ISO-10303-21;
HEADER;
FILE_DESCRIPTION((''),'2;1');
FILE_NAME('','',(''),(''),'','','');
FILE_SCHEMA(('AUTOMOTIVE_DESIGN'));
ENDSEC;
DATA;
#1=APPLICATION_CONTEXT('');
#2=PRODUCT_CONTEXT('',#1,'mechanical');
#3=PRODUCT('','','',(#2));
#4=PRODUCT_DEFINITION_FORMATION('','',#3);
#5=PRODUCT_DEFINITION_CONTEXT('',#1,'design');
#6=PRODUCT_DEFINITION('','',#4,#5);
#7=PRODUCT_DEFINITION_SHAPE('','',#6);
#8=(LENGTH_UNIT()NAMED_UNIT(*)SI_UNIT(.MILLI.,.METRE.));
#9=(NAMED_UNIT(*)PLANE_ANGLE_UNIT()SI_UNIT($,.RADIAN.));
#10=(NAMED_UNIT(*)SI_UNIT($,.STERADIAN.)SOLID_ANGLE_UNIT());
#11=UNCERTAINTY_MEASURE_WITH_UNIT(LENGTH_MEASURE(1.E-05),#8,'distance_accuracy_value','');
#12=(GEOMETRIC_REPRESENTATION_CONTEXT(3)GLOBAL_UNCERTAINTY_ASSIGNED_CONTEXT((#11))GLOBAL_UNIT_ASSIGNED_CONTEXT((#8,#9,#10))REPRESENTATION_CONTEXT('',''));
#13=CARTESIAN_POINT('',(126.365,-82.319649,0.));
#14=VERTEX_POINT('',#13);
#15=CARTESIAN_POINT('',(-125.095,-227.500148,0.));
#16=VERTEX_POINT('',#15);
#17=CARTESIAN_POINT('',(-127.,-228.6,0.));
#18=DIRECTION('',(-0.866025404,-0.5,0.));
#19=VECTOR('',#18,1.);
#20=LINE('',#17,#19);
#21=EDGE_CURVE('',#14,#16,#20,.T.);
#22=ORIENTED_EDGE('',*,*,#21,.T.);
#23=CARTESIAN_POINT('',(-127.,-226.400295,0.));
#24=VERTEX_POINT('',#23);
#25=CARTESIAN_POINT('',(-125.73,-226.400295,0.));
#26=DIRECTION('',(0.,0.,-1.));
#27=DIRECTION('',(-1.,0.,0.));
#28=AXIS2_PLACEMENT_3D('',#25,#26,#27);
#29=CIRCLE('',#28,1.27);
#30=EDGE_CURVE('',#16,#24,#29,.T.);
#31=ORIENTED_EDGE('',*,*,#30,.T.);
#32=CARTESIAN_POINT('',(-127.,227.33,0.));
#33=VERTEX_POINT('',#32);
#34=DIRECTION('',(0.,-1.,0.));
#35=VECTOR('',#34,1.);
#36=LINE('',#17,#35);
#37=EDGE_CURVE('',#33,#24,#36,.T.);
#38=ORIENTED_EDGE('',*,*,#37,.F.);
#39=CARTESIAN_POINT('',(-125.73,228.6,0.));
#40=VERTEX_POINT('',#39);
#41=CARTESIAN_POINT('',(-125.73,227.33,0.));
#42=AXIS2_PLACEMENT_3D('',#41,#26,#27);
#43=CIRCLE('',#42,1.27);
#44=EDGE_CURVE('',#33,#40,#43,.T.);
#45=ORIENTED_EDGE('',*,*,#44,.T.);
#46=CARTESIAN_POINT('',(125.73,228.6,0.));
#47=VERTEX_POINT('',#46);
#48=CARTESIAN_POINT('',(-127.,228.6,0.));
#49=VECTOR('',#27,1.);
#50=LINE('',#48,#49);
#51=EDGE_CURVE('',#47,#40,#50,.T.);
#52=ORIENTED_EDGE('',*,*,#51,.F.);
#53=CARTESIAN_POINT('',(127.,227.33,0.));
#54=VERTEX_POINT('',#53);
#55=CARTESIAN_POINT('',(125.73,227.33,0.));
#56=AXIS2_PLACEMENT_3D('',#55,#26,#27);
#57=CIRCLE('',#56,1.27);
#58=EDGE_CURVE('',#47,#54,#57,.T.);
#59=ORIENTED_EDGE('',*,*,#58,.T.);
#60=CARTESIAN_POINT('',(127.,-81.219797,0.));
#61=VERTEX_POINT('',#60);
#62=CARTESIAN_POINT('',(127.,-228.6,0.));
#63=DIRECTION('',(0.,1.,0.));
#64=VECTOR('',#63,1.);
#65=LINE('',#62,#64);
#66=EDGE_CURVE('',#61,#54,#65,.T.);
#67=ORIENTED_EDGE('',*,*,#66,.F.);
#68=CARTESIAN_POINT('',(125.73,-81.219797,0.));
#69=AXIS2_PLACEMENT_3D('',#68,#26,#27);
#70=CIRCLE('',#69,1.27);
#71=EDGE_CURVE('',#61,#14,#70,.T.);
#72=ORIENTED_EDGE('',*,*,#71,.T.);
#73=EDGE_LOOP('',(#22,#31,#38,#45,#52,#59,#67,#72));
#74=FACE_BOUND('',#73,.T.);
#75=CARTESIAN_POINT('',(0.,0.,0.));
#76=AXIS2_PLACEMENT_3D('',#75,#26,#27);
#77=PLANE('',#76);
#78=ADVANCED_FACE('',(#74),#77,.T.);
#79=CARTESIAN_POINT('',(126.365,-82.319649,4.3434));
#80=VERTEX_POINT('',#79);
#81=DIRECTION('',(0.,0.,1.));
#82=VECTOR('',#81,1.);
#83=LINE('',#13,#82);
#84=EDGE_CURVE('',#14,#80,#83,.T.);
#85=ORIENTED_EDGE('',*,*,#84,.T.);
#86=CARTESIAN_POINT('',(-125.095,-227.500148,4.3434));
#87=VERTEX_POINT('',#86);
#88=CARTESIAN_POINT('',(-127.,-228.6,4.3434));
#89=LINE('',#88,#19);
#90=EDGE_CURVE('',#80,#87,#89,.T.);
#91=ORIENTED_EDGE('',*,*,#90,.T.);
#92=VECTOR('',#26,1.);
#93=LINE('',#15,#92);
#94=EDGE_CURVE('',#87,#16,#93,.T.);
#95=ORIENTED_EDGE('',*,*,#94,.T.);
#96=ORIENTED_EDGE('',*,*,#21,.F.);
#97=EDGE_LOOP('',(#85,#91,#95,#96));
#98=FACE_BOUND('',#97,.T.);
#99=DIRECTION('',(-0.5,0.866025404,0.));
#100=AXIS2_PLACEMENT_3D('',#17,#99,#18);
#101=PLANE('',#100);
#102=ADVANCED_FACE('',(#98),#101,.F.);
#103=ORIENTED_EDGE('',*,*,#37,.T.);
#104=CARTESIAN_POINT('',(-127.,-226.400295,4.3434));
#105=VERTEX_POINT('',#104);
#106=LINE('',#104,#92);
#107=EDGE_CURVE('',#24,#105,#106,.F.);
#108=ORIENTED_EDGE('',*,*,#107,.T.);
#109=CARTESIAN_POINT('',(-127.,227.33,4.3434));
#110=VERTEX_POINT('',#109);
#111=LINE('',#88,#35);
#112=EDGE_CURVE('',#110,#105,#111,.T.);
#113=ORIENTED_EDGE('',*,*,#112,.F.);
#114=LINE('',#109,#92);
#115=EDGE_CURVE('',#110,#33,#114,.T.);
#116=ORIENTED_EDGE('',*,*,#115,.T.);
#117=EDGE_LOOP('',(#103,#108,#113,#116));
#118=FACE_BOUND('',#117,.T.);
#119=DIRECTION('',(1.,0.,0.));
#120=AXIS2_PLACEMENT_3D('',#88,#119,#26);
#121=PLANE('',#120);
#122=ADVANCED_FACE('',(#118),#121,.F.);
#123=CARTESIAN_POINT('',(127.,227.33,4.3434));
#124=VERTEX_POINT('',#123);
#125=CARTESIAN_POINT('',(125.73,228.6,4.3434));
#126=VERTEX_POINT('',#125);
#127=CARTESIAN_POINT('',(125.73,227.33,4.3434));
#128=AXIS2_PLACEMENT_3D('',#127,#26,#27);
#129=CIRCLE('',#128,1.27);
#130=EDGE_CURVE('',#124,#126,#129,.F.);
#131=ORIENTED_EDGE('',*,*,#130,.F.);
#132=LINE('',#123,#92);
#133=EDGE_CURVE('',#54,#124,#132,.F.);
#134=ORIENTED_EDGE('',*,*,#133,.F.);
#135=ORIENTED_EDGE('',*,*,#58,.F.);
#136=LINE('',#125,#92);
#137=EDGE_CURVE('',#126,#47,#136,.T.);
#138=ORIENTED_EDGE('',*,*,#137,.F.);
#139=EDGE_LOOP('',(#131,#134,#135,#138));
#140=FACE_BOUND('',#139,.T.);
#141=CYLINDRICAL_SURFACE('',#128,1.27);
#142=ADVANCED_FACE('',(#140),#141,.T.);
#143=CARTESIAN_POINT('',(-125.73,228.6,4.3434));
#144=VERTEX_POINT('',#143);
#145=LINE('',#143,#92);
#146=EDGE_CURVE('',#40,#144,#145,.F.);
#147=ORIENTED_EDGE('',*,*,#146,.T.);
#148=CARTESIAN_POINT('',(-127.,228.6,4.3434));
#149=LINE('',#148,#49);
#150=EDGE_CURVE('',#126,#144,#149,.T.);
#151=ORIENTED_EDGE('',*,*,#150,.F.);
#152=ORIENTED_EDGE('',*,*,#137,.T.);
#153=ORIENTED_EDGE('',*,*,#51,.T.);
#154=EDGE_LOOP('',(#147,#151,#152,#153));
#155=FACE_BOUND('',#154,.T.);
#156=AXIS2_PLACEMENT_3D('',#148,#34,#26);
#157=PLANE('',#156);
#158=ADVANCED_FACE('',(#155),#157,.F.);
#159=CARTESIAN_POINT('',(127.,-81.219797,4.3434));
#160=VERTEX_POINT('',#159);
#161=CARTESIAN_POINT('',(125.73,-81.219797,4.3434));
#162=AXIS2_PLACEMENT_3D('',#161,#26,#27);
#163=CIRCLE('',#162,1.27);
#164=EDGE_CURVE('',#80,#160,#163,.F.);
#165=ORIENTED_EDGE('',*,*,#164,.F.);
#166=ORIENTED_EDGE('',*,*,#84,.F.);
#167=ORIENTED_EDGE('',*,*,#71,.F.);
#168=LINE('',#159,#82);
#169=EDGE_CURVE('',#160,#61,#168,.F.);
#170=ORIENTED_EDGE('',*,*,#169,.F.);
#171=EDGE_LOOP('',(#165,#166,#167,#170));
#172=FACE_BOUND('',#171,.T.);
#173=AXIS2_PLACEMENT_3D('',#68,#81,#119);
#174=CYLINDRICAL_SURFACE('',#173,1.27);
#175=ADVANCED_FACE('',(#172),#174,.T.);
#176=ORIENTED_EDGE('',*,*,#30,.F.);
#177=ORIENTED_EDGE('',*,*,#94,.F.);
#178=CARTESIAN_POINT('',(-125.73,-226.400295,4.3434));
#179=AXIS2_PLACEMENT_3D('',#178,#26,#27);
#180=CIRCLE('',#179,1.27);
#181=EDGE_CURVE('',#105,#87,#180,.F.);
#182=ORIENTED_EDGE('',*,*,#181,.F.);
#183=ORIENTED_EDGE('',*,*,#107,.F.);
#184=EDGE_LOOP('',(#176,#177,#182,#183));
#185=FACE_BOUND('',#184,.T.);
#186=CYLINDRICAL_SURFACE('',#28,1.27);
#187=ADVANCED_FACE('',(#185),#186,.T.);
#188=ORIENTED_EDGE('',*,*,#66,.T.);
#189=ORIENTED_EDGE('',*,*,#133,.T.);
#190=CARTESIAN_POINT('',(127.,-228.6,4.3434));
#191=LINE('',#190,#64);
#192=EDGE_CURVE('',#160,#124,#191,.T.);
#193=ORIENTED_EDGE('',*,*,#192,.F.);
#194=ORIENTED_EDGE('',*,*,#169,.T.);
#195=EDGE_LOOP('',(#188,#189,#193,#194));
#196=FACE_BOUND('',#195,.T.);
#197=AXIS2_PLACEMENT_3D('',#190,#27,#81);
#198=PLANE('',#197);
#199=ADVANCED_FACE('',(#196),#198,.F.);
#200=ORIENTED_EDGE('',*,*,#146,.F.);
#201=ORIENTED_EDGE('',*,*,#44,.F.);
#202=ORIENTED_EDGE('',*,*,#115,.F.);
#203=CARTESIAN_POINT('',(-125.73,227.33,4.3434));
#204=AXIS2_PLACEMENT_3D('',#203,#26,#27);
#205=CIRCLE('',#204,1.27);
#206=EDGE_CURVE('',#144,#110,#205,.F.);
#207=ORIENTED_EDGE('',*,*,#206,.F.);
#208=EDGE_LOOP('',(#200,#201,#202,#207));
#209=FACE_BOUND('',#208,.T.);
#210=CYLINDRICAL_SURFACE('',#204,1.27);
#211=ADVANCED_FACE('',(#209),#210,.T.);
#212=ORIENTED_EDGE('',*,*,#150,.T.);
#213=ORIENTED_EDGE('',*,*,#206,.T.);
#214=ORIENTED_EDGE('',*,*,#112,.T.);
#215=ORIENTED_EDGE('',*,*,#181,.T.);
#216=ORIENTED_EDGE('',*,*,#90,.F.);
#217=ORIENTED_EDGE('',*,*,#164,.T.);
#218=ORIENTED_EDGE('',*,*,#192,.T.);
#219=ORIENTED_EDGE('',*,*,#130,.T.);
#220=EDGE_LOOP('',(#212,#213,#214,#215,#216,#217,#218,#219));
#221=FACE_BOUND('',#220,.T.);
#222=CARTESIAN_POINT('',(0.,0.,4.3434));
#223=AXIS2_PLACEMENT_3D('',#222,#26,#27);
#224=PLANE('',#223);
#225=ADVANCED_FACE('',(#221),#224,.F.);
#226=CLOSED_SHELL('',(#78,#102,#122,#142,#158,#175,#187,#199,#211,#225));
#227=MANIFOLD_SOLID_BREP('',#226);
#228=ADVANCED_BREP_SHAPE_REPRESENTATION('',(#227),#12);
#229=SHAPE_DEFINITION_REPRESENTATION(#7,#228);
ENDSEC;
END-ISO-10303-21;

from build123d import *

# Parameters (mm, degrees)
SKETCH1_W           = 254
SKETCH1_H           = 457.2
BOSS_EXTRUDE1_DEPTH = 4.3434
CUT_EXTRUDE3_DEPTH  = 5.3434
FILLET2_R           = 1.27


with BuildPart() as part:
    # Sketch1 → Boss-Extrude1 (new body)
    with BuildSketch(Plane.XY):
        Rectangle(SKETCH1_W, SKETCH1_H)
    extrude(amount=BOSS_EXTRUDE1_DEPTH)

    # Sketch4 → Cut-Extrude3 (cut, through all)
    with BuildSketch(Plane.XY.offset(4.3434)):
        Polygon((-127, -228.6), (127, -81.953031626), (127, -228.6), align=None)
    extrude(amount=-CUT_EXTRUDE3_DEPTH, mode=Mode.SUBTRACT)

    # Fillet2
    fillet2_edges = [part.edges().sort_by_distance(p)[0] for p in [
        (127, -81.953031626, 2.1717),
        (-127, -228.6, 2.1717),
        (-127, 228.6, 2.1717),
        (127, 228.6, 2.1717),
    ]]
    fillet(fillet2_edges, radius=FILLET2_R)


solid = part.part
